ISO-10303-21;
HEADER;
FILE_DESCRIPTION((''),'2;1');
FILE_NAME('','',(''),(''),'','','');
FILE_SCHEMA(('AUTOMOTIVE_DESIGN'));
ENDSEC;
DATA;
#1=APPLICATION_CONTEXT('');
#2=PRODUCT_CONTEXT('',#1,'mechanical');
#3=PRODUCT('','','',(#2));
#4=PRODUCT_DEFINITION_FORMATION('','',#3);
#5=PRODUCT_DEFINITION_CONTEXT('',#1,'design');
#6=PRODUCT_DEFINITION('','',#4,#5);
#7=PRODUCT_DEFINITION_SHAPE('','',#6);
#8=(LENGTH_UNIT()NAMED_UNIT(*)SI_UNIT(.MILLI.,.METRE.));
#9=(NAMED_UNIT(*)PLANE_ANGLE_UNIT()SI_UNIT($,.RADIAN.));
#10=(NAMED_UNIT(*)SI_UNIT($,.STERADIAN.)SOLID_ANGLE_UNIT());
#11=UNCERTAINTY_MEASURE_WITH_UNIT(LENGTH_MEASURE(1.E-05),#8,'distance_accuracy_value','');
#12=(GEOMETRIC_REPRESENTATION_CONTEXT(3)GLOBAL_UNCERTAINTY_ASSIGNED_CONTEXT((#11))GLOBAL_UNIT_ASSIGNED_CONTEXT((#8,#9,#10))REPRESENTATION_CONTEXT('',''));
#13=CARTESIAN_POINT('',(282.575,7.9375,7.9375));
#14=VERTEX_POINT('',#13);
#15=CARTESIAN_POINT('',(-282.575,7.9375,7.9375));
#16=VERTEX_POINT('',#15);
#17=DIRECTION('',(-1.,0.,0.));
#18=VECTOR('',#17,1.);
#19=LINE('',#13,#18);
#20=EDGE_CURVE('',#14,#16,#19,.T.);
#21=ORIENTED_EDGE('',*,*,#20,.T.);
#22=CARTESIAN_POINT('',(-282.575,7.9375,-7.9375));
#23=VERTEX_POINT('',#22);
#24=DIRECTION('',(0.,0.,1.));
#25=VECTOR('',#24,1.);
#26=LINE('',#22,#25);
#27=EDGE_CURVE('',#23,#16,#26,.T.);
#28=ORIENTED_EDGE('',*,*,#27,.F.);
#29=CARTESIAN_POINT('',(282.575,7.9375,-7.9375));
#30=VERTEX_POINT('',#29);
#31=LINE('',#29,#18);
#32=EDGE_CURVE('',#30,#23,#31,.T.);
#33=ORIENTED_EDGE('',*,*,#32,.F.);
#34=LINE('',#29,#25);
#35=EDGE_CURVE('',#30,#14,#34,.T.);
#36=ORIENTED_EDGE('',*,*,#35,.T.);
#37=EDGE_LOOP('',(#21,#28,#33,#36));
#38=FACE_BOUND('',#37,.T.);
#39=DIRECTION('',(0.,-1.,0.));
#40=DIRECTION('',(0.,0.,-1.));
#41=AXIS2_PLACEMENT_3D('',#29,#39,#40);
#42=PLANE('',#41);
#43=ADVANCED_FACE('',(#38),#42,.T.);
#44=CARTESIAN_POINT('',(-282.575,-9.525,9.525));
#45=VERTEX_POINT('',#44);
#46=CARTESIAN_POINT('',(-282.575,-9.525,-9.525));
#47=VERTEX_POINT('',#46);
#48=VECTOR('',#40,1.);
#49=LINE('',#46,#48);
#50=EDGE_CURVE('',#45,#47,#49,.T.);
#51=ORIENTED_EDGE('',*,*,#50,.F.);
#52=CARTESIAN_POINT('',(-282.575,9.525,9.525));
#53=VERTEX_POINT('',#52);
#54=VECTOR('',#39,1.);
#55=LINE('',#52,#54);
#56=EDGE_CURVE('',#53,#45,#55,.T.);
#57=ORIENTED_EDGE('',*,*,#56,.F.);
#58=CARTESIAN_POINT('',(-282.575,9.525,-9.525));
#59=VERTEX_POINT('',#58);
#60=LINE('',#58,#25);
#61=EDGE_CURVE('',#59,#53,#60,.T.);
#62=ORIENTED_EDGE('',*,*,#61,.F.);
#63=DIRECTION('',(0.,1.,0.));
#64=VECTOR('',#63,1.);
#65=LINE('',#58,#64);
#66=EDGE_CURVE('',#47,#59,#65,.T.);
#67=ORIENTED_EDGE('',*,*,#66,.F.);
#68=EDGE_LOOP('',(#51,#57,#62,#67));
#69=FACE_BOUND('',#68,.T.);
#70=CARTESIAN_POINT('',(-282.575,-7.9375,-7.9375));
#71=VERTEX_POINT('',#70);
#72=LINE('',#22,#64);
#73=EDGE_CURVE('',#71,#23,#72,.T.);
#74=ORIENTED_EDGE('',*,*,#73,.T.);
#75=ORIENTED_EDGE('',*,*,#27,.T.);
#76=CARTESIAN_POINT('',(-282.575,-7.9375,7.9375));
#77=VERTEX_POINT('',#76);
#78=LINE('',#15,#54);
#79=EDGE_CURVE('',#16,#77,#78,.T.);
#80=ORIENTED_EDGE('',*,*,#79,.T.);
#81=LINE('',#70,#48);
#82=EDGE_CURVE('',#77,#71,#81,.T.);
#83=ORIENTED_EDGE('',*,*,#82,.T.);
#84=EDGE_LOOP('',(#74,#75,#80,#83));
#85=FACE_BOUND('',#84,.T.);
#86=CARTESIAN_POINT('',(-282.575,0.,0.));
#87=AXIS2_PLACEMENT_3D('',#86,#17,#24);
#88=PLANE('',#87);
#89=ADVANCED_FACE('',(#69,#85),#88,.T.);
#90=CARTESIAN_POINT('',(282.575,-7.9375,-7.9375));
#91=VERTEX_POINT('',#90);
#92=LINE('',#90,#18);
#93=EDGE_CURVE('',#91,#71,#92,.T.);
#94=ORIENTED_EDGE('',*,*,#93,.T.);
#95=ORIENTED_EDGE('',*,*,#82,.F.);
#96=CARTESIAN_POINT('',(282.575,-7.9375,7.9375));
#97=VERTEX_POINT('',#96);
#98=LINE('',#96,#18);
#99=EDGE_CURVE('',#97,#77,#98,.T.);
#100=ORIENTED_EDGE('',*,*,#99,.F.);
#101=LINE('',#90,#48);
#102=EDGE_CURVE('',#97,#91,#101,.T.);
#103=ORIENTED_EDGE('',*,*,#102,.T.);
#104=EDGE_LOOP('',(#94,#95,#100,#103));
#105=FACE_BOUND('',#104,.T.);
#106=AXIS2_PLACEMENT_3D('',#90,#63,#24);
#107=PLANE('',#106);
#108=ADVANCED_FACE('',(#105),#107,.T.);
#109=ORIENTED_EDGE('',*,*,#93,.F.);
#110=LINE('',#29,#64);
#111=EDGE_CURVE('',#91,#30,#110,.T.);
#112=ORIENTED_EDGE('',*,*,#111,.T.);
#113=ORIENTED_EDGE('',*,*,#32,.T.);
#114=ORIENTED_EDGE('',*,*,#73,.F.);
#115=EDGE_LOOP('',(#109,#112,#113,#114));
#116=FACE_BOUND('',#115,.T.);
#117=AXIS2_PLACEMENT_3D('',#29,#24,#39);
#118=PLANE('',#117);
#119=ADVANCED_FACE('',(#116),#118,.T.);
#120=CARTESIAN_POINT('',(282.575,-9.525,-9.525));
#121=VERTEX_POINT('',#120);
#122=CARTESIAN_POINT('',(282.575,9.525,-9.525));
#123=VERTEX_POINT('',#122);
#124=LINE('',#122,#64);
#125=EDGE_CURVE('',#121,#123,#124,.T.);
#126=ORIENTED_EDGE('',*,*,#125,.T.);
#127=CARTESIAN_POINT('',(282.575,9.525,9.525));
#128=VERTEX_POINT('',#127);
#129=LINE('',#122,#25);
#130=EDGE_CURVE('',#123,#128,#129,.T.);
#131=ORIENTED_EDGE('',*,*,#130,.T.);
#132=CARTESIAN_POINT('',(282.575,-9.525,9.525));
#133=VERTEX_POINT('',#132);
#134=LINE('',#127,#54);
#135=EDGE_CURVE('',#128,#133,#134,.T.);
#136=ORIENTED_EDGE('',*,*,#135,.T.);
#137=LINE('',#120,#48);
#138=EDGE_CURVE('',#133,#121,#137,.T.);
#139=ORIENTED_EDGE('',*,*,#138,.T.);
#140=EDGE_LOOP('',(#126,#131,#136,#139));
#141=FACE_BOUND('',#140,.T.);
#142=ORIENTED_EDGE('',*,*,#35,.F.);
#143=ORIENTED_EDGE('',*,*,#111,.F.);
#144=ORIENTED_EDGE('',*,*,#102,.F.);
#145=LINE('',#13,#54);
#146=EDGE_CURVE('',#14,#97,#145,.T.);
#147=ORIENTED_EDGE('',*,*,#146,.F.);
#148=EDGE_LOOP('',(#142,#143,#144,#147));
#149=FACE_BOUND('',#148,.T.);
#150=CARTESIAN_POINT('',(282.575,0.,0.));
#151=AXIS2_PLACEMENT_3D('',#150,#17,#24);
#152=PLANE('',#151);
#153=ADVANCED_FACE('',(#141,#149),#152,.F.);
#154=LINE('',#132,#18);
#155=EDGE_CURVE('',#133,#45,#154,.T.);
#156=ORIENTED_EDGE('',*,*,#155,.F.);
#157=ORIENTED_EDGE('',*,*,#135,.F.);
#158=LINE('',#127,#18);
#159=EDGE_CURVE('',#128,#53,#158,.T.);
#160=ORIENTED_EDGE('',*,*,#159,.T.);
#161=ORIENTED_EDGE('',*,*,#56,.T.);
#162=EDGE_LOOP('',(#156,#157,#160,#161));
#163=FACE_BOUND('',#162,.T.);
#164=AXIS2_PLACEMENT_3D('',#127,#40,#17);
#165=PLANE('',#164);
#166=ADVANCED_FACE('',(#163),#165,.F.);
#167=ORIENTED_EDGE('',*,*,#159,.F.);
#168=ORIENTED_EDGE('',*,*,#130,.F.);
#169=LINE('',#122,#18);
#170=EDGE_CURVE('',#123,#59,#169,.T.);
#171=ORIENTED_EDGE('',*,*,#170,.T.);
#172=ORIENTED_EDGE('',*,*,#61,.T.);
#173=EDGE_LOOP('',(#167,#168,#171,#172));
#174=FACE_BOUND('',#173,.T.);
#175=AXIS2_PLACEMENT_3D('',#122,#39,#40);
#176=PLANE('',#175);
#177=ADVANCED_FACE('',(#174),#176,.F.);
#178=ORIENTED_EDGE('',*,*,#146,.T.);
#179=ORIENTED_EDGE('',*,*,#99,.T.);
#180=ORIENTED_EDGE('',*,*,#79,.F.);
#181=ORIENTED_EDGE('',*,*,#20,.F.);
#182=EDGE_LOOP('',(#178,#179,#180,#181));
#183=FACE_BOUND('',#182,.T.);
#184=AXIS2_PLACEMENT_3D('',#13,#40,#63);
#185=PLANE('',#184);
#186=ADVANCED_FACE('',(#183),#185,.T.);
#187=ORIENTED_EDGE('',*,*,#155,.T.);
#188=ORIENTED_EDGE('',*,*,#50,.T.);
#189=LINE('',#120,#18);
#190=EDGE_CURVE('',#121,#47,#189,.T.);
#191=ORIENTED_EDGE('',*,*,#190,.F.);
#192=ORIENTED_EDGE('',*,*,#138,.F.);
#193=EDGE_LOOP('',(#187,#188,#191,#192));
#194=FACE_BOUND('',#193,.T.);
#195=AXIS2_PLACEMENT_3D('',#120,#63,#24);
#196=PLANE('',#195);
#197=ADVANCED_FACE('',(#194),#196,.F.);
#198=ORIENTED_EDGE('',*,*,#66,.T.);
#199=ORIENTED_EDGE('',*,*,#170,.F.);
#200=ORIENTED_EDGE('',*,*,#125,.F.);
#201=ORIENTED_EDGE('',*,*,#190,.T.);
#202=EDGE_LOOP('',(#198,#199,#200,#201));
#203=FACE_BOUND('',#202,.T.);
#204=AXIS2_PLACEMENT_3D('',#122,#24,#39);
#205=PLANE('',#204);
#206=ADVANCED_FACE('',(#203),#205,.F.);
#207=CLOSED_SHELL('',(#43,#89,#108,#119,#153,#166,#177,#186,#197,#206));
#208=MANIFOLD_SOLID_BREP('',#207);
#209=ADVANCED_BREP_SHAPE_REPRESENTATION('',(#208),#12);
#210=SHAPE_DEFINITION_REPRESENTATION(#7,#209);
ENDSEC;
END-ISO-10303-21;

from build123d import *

# Parameters (mm, degrees)
CROQUIS1_W              = 19.05
CROQUIS1_H              = 19.05
CROQUIS1_W_2            = 15.875
CROQUIS1_H_2            = 15.875
SALIENTE_EXTRUIR1_DEPTH = 282.575


with BuildPart() as part:
    # Croquis1 → Saliente-Extruir1 (new body, symmetric)
    with BuildSketch(Plane(origin=(0, 0, 0), x_dir=(0, 0, -1), z_dir=(1, 0, 0))):
        Rectangle(CROQUIS1_W, CROQUIS1_H)
        Rectangle(CROQUIS1_W_2, CROQUIS1_H_2, mode=Mode.SUBTRACT)
    extrude(amount=SALIENTE_EXTRUIR1_DEPTH, both=True)


solid = part.part
